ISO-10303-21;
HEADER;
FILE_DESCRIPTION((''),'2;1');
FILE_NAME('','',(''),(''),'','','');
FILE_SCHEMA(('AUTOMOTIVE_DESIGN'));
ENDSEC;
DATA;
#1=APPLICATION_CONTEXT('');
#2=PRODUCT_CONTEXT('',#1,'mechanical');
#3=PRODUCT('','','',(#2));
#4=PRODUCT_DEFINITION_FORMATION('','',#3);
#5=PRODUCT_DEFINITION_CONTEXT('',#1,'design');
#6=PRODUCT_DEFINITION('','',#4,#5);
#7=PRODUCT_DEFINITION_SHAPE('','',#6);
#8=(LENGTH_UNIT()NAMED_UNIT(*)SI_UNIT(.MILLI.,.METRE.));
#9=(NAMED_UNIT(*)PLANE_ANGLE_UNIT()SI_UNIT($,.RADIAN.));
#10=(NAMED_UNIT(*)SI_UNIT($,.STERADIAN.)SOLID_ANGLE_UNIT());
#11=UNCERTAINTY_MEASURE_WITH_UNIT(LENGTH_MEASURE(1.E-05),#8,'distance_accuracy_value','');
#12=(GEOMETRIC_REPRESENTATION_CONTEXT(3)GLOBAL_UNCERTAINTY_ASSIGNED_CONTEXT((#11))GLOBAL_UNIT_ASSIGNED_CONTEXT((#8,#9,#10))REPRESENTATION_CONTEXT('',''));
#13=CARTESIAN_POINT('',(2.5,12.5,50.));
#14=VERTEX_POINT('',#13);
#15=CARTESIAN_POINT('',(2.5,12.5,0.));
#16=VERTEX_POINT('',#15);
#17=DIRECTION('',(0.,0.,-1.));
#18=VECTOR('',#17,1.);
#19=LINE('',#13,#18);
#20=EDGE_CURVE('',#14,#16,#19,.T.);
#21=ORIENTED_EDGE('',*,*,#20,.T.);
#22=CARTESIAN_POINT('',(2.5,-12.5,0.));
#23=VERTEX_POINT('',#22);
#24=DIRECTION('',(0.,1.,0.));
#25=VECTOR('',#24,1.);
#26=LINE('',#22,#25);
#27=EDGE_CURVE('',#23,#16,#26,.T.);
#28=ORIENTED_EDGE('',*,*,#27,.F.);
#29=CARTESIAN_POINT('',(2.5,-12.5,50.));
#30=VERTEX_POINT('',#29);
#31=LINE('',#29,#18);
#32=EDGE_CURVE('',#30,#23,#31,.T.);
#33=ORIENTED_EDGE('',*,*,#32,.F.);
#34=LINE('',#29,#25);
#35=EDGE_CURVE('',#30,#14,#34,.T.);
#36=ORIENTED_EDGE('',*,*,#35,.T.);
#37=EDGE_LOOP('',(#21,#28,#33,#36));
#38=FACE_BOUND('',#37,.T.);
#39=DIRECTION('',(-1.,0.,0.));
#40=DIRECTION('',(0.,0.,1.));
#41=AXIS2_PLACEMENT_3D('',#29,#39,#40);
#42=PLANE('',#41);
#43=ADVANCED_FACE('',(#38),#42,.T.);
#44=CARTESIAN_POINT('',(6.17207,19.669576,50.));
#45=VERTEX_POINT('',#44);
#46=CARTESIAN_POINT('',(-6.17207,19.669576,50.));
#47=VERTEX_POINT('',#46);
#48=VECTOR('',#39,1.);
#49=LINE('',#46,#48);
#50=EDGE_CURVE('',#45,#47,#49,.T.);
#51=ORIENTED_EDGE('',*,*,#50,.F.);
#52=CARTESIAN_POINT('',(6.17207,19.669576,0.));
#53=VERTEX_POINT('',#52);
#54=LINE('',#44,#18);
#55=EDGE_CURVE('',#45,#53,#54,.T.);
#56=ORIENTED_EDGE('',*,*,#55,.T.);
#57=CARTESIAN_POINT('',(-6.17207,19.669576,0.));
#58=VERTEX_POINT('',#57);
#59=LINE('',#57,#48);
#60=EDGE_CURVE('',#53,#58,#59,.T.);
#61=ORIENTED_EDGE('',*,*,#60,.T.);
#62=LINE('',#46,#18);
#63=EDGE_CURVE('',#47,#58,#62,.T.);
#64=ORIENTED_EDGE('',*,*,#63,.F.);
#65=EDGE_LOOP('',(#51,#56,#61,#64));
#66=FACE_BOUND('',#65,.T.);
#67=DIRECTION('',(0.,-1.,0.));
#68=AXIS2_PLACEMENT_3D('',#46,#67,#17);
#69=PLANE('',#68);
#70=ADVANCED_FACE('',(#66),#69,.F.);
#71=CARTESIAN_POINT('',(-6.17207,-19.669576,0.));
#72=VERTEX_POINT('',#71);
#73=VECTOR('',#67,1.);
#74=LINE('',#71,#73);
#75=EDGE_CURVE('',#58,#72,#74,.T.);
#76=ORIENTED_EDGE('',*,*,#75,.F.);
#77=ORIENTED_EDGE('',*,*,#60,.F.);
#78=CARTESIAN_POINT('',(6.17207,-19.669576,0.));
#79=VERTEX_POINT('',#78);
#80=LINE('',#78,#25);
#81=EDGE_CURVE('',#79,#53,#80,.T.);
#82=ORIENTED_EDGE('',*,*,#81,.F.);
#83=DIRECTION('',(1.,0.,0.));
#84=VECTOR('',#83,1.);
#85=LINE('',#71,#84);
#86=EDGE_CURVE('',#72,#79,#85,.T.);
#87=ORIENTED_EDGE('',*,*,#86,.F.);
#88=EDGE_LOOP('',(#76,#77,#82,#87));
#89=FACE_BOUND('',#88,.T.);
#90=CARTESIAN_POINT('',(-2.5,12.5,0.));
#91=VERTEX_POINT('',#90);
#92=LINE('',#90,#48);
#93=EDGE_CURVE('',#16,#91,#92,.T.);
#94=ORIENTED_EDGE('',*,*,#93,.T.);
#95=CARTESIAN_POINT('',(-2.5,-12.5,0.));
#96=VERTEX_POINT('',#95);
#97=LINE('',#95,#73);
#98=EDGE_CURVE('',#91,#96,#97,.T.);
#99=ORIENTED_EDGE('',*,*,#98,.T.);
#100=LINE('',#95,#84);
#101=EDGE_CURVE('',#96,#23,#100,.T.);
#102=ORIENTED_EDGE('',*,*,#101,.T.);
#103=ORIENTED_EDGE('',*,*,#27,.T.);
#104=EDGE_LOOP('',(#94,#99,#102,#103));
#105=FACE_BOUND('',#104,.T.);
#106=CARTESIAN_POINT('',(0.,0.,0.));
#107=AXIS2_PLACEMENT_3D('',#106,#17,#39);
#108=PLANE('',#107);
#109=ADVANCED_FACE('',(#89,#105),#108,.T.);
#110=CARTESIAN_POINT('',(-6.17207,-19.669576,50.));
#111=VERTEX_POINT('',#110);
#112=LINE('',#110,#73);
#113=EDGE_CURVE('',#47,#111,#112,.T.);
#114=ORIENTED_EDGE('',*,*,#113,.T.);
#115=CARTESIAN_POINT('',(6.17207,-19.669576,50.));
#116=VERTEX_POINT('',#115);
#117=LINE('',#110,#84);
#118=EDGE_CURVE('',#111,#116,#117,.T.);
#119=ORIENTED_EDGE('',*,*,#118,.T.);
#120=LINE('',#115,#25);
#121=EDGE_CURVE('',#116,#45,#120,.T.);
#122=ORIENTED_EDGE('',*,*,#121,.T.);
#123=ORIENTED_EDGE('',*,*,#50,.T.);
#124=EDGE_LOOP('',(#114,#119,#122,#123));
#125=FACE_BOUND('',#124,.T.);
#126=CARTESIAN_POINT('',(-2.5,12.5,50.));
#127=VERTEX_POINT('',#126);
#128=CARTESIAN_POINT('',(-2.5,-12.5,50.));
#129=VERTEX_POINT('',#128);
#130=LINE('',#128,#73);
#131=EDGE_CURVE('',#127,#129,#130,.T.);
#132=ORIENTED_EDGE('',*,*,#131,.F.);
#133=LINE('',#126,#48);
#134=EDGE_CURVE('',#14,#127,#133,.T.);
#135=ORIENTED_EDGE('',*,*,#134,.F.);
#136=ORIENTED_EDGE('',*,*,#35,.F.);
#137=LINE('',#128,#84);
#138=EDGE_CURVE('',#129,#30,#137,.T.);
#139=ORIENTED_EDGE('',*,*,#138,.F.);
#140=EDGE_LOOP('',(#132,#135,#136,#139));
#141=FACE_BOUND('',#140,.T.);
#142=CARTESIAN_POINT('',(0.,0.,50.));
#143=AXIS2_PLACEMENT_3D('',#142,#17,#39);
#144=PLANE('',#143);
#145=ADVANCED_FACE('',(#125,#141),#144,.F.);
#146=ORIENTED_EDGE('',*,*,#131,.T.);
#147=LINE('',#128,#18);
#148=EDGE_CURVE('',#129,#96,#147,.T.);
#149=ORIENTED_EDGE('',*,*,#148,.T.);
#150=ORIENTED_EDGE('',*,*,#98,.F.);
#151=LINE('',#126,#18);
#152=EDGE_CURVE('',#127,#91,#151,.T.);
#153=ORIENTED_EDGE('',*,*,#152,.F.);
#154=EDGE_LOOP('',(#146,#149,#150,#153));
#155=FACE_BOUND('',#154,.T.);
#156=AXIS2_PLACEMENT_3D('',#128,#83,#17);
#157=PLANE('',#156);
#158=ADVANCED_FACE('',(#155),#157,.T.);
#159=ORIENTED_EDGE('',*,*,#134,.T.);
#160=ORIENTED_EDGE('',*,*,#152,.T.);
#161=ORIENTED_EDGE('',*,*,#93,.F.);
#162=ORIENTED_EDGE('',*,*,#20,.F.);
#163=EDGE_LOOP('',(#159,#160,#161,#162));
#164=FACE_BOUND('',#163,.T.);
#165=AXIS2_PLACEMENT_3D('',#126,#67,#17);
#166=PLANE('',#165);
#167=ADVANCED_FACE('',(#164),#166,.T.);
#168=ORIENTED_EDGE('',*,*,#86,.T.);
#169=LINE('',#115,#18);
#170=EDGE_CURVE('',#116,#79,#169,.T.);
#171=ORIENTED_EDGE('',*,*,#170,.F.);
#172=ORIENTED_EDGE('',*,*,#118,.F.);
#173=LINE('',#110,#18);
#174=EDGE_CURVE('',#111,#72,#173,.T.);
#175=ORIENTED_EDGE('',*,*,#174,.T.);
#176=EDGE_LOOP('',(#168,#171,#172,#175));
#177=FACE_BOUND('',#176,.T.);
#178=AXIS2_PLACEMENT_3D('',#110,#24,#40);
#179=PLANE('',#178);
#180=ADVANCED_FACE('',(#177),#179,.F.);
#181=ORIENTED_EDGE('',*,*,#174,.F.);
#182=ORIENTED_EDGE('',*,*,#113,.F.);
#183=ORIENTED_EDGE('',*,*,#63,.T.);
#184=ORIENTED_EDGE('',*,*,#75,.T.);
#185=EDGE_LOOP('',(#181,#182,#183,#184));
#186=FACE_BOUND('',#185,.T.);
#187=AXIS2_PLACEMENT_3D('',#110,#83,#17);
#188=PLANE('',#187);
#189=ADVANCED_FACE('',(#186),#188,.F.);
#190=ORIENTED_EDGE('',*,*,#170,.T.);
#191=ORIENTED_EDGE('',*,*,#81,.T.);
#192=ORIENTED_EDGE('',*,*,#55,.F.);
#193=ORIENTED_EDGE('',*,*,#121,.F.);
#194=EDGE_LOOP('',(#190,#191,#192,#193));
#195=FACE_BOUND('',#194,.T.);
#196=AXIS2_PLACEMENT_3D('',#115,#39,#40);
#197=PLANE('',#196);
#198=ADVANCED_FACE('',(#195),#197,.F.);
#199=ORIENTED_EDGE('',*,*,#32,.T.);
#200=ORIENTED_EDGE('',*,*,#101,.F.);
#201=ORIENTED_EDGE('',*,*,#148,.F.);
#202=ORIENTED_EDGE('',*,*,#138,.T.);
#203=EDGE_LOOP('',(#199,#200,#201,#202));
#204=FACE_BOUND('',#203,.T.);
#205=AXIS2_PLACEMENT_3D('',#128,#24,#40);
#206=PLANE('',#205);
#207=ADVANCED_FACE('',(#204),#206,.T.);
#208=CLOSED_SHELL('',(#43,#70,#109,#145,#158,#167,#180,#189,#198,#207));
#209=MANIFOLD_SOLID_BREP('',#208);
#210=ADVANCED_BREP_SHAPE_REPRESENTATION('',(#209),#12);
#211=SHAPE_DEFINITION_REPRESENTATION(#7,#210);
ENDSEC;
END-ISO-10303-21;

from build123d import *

# Parameters (mm, degrees)
SKETCH_1_W      = 12.34413965
SKETCH_1_H      = 39.33915212
SKETCH_1_W_2    = 5
SKETCH_1_H_2    = 25
EXTRUDE_1_DEPTH = 50


with BuildPart() as part:
    # 草图1 → 凸台-拉伸1 (new body)
    with BuildSketch(Plane.XY):
        Rectangle(SKETCH_1_W, SKETCH_1_H)
        Rectangle(SKETCH_1_W_2, SKETCH_1_H_2, mode=Mode.SUBTRACT)
    extrude(amount=EXTRUDE_1_DEPTH)


solid = part.part
